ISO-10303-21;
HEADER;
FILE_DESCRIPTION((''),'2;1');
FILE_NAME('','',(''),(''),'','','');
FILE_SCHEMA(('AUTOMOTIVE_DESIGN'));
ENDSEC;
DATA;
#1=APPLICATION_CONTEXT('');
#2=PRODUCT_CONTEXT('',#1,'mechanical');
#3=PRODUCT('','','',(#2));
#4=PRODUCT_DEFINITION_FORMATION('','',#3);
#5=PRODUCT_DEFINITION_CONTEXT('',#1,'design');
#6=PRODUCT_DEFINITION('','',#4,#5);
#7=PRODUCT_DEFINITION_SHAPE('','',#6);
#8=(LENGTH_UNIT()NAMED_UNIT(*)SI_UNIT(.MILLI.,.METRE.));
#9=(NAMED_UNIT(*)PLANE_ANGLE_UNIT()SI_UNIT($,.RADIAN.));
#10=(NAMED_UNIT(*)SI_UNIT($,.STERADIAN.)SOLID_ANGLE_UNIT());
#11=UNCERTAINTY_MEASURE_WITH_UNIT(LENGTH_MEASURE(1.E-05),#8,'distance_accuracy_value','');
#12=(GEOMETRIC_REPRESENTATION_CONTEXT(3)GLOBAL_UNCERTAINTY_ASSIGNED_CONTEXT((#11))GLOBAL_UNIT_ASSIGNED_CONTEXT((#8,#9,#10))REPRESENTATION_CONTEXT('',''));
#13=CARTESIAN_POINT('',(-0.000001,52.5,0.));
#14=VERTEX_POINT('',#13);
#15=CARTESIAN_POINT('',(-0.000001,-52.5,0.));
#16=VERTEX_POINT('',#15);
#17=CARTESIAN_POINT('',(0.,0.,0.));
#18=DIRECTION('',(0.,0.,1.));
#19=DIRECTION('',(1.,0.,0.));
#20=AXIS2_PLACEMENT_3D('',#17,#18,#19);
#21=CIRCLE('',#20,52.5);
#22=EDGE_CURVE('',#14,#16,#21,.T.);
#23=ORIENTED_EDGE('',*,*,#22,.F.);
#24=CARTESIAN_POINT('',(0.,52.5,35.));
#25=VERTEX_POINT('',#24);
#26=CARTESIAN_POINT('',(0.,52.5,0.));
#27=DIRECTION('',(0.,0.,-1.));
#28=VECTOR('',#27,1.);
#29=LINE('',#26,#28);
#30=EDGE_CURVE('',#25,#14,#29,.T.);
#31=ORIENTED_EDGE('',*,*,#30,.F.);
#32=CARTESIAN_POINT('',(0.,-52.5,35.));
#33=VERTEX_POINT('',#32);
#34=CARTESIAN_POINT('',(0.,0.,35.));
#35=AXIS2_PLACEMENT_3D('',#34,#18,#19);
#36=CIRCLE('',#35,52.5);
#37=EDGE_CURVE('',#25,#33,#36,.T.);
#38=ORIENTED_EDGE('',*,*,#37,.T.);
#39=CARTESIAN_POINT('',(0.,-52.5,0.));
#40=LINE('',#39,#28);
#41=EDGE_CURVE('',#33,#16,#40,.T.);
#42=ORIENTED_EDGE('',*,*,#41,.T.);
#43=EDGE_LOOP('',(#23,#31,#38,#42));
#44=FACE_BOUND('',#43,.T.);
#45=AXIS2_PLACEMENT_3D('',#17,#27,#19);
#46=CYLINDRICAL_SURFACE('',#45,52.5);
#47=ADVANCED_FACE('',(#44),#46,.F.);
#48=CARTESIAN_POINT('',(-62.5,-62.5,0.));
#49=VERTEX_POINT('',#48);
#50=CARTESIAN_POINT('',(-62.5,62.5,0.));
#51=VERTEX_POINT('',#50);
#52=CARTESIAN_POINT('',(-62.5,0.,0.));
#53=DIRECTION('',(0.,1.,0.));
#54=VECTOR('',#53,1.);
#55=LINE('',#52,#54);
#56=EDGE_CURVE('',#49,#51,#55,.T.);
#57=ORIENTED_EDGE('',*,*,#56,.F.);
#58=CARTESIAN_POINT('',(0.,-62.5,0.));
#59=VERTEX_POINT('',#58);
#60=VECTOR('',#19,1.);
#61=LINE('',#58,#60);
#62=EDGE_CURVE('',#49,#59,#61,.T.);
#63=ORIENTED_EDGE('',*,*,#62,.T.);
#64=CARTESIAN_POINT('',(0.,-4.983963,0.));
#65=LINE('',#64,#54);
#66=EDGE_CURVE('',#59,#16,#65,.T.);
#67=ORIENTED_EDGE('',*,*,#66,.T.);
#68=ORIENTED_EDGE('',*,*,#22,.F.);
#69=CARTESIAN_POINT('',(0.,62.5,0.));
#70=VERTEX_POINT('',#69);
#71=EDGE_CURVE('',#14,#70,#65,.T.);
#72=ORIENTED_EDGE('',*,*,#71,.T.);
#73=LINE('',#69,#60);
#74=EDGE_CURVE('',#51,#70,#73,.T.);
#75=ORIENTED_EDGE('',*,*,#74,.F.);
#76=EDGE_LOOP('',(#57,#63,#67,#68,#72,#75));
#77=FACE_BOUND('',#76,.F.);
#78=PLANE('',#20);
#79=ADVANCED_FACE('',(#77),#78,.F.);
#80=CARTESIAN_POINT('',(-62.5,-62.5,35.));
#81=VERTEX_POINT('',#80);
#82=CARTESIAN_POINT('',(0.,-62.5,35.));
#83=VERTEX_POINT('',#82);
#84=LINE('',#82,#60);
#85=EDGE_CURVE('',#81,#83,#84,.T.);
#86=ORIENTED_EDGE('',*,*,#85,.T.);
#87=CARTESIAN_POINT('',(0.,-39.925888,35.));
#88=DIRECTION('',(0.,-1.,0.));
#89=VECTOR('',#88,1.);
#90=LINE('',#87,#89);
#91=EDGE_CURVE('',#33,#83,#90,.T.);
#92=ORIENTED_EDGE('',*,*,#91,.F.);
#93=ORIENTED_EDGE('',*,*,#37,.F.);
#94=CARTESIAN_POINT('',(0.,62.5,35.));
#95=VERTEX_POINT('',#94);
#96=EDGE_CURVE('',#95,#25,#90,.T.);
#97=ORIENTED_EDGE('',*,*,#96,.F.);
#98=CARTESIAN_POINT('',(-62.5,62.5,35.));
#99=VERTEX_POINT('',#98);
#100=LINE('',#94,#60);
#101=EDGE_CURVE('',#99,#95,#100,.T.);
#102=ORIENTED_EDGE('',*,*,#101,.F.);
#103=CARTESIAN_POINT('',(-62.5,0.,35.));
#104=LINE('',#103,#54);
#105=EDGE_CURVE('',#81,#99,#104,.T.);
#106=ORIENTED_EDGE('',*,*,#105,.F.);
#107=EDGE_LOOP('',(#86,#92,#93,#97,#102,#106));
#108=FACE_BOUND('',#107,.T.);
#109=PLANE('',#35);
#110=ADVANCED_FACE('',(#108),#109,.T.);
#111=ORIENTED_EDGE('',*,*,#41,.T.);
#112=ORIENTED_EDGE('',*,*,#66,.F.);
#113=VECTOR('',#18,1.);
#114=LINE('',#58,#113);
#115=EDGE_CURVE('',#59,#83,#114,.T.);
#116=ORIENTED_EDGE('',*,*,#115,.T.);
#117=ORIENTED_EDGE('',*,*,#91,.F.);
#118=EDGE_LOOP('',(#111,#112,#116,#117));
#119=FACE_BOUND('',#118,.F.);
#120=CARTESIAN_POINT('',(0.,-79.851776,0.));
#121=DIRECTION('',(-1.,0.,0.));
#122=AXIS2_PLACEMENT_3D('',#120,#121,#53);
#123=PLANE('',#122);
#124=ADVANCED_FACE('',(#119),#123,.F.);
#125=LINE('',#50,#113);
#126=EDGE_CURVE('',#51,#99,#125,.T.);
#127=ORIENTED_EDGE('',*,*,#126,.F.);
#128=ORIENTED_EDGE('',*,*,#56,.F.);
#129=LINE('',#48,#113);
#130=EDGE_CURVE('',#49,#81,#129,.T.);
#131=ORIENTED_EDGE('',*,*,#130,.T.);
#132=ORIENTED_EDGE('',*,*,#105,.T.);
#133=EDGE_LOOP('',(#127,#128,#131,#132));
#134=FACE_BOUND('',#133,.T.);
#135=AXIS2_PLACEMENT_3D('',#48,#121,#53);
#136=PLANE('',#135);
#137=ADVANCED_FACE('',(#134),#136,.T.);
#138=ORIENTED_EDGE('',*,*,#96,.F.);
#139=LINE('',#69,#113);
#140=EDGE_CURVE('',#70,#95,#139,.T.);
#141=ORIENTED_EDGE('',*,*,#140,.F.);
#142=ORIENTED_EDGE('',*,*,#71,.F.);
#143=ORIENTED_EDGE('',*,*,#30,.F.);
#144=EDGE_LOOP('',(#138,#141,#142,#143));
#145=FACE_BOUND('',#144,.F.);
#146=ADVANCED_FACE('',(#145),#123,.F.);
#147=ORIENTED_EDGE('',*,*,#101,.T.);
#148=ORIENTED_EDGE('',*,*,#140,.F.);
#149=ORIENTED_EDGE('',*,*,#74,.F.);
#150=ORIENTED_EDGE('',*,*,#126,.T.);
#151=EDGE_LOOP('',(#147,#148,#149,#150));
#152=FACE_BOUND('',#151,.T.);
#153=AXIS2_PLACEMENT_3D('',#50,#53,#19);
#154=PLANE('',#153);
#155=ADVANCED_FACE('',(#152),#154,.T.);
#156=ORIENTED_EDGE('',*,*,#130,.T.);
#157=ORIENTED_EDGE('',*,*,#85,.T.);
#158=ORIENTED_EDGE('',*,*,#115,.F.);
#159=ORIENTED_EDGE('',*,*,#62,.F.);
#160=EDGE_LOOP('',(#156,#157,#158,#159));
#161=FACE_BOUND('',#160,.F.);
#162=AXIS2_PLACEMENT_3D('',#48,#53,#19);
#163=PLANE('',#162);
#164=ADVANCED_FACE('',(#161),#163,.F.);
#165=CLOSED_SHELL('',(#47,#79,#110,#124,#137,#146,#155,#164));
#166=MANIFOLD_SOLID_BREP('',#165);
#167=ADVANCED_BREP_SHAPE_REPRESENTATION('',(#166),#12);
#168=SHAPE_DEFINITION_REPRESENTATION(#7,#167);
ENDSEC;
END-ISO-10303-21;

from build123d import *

# Parameters (mm, degrees)
SKETCH_W     = 125
SKETCH_H     = 125
SKETCH_R     = 52.5
PAD_DEPTH    = 35
SKETCH001_W  = 131.958801
SKETCH001_H  = 149.735626
POCKET_DEPTH = 35.001


with BuildPart() as part:
    # Sketch → Pad (new body)
    with BuildSketch(Plane.XY):
        Rectangle(SKETCH_W, SKETCH_H)
        Circle(SKETCH_R, mode=Mode.SUBTRACT)
    extrude(amount=PAD_DEPTH)

    # Sketch001 → Pocket (cut, through all)
    with BuildSketch(Plane.XY):
        with Locations((65.9794, -4.983963)):
            Rectangle(SKETCH001_W, SKETCH001_H)
    extrude(amount=POCKET_DEPTH, mode=Mode.SUBTRACT)


solid = part.part
